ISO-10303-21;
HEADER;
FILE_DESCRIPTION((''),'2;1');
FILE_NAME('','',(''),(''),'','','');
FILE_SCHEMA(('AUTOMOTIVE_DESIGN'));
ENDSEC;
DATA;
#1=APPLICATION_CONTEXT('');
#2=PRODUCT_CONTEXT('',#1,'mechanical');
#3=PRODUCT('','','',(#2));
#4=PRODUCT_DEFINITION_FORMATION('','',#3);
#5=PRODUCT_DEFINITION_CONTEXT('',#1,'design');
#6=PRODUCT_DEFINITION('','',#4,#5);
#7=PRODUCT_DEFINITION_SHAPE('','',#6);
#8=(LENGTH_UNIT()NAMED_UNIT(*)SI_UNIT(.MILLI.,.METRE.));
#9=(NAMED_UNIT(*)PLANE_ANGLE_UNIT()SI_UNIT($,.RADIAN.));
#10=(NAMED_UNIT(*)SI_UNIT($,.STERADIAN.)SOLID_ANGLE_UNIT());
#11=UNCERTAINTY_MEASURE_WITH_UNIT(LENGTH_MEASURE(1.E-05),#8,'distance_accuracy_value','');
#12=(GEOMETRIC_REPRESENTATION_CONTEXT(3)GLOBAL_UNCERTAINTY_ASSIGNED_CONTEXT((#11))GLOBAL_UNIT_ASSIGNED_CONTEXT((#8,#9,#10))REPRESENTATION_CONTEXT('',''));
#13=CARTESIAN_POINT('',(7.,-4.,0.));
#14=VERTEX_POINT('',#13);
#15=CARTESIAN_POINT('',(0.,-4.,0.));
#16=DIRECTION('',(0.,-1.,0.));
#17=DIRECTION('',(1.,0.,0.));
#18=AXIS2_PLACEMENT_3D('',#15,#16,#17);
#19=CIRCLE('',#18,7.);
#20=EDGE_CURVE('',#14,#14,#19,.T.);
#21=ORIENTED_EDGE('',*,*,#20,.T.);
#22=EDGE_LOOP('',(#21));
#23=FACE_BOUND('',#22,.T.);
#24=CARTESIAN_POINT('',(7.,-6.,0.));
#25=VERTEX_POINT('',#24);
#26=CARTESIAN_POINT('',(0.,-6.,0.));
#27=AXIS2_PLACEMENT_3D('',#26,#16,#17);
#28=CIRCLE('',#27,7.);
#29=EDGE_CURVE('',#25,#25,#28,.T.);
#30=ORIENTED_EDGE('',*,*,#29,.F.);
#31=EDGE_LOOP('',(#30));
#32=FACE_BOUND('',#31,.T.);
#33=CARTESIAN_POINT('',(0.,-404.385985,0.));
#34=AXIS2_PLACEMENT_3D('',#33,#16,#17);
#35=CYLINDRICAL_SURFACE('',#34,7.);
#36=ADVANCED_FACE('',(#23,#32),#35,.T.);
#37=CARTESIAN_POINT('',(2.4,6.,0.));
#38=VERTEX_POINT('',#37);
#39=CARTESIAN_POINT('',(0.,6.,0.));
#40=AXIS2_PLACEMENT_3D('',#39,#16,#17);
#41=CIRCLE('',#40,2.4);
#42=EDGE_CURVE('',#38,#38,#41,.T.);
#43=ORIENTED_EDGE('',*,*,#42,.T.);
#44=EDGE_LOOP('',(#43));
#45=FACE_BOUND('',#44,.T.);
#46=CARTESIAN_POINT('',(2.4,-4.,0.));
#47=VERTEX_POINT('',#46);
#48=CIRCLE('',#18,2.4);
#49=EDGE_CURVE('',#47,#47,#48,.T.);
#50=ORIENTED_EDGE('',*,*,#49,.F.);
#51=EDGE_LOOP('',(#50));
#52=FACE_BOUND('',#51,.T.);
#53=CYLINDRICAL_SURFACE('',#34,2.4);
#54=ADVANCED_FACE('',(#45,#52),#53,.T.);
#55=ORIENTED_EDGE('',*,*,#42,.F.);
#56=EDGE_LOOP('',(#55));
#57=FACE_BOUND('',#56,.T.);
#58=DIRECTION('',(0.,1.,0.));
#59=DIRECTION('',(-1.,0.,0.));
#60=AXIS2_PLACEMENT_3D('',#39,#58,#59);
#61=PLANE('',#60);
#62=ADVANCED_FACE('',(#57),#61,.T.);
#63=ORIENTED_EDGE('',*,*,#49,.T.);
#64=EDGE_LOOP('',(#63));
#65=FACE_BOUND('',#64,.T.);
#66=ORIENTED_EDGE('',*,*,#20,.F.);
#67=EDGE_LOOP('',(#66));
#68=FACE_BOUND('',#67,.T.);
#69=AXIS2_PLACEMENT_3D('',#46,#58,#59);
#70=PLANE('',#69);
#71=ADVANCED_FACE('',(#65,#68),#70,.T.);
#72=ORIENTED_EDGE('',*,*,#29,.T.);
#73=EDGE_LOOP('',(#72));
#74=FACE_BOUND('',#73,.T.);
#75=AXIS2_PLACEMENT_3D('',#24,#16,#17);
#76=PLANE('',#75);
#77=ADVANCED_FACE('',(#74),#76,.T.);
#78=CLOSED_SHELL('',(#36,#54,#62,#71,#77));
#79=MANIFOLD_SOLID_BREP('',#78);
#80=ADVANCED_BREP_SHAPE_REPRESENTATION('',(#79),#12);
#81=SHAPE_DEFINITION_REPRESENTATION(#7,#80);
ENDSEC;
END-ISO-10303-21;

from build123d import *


with BuildPart() as part:
    # Sketch1 → Revolve1 (revolve)
    with BuildSketch(Plane.XY):
        Polygon((0, 6), (2.4, 6), (2.4, -4), (7, -4), (7, -6), (0, -6), align=None)
    revolve(axis=Axis((0, -404.38598492, 0), (0, 1, 0)))


solid = part.part
